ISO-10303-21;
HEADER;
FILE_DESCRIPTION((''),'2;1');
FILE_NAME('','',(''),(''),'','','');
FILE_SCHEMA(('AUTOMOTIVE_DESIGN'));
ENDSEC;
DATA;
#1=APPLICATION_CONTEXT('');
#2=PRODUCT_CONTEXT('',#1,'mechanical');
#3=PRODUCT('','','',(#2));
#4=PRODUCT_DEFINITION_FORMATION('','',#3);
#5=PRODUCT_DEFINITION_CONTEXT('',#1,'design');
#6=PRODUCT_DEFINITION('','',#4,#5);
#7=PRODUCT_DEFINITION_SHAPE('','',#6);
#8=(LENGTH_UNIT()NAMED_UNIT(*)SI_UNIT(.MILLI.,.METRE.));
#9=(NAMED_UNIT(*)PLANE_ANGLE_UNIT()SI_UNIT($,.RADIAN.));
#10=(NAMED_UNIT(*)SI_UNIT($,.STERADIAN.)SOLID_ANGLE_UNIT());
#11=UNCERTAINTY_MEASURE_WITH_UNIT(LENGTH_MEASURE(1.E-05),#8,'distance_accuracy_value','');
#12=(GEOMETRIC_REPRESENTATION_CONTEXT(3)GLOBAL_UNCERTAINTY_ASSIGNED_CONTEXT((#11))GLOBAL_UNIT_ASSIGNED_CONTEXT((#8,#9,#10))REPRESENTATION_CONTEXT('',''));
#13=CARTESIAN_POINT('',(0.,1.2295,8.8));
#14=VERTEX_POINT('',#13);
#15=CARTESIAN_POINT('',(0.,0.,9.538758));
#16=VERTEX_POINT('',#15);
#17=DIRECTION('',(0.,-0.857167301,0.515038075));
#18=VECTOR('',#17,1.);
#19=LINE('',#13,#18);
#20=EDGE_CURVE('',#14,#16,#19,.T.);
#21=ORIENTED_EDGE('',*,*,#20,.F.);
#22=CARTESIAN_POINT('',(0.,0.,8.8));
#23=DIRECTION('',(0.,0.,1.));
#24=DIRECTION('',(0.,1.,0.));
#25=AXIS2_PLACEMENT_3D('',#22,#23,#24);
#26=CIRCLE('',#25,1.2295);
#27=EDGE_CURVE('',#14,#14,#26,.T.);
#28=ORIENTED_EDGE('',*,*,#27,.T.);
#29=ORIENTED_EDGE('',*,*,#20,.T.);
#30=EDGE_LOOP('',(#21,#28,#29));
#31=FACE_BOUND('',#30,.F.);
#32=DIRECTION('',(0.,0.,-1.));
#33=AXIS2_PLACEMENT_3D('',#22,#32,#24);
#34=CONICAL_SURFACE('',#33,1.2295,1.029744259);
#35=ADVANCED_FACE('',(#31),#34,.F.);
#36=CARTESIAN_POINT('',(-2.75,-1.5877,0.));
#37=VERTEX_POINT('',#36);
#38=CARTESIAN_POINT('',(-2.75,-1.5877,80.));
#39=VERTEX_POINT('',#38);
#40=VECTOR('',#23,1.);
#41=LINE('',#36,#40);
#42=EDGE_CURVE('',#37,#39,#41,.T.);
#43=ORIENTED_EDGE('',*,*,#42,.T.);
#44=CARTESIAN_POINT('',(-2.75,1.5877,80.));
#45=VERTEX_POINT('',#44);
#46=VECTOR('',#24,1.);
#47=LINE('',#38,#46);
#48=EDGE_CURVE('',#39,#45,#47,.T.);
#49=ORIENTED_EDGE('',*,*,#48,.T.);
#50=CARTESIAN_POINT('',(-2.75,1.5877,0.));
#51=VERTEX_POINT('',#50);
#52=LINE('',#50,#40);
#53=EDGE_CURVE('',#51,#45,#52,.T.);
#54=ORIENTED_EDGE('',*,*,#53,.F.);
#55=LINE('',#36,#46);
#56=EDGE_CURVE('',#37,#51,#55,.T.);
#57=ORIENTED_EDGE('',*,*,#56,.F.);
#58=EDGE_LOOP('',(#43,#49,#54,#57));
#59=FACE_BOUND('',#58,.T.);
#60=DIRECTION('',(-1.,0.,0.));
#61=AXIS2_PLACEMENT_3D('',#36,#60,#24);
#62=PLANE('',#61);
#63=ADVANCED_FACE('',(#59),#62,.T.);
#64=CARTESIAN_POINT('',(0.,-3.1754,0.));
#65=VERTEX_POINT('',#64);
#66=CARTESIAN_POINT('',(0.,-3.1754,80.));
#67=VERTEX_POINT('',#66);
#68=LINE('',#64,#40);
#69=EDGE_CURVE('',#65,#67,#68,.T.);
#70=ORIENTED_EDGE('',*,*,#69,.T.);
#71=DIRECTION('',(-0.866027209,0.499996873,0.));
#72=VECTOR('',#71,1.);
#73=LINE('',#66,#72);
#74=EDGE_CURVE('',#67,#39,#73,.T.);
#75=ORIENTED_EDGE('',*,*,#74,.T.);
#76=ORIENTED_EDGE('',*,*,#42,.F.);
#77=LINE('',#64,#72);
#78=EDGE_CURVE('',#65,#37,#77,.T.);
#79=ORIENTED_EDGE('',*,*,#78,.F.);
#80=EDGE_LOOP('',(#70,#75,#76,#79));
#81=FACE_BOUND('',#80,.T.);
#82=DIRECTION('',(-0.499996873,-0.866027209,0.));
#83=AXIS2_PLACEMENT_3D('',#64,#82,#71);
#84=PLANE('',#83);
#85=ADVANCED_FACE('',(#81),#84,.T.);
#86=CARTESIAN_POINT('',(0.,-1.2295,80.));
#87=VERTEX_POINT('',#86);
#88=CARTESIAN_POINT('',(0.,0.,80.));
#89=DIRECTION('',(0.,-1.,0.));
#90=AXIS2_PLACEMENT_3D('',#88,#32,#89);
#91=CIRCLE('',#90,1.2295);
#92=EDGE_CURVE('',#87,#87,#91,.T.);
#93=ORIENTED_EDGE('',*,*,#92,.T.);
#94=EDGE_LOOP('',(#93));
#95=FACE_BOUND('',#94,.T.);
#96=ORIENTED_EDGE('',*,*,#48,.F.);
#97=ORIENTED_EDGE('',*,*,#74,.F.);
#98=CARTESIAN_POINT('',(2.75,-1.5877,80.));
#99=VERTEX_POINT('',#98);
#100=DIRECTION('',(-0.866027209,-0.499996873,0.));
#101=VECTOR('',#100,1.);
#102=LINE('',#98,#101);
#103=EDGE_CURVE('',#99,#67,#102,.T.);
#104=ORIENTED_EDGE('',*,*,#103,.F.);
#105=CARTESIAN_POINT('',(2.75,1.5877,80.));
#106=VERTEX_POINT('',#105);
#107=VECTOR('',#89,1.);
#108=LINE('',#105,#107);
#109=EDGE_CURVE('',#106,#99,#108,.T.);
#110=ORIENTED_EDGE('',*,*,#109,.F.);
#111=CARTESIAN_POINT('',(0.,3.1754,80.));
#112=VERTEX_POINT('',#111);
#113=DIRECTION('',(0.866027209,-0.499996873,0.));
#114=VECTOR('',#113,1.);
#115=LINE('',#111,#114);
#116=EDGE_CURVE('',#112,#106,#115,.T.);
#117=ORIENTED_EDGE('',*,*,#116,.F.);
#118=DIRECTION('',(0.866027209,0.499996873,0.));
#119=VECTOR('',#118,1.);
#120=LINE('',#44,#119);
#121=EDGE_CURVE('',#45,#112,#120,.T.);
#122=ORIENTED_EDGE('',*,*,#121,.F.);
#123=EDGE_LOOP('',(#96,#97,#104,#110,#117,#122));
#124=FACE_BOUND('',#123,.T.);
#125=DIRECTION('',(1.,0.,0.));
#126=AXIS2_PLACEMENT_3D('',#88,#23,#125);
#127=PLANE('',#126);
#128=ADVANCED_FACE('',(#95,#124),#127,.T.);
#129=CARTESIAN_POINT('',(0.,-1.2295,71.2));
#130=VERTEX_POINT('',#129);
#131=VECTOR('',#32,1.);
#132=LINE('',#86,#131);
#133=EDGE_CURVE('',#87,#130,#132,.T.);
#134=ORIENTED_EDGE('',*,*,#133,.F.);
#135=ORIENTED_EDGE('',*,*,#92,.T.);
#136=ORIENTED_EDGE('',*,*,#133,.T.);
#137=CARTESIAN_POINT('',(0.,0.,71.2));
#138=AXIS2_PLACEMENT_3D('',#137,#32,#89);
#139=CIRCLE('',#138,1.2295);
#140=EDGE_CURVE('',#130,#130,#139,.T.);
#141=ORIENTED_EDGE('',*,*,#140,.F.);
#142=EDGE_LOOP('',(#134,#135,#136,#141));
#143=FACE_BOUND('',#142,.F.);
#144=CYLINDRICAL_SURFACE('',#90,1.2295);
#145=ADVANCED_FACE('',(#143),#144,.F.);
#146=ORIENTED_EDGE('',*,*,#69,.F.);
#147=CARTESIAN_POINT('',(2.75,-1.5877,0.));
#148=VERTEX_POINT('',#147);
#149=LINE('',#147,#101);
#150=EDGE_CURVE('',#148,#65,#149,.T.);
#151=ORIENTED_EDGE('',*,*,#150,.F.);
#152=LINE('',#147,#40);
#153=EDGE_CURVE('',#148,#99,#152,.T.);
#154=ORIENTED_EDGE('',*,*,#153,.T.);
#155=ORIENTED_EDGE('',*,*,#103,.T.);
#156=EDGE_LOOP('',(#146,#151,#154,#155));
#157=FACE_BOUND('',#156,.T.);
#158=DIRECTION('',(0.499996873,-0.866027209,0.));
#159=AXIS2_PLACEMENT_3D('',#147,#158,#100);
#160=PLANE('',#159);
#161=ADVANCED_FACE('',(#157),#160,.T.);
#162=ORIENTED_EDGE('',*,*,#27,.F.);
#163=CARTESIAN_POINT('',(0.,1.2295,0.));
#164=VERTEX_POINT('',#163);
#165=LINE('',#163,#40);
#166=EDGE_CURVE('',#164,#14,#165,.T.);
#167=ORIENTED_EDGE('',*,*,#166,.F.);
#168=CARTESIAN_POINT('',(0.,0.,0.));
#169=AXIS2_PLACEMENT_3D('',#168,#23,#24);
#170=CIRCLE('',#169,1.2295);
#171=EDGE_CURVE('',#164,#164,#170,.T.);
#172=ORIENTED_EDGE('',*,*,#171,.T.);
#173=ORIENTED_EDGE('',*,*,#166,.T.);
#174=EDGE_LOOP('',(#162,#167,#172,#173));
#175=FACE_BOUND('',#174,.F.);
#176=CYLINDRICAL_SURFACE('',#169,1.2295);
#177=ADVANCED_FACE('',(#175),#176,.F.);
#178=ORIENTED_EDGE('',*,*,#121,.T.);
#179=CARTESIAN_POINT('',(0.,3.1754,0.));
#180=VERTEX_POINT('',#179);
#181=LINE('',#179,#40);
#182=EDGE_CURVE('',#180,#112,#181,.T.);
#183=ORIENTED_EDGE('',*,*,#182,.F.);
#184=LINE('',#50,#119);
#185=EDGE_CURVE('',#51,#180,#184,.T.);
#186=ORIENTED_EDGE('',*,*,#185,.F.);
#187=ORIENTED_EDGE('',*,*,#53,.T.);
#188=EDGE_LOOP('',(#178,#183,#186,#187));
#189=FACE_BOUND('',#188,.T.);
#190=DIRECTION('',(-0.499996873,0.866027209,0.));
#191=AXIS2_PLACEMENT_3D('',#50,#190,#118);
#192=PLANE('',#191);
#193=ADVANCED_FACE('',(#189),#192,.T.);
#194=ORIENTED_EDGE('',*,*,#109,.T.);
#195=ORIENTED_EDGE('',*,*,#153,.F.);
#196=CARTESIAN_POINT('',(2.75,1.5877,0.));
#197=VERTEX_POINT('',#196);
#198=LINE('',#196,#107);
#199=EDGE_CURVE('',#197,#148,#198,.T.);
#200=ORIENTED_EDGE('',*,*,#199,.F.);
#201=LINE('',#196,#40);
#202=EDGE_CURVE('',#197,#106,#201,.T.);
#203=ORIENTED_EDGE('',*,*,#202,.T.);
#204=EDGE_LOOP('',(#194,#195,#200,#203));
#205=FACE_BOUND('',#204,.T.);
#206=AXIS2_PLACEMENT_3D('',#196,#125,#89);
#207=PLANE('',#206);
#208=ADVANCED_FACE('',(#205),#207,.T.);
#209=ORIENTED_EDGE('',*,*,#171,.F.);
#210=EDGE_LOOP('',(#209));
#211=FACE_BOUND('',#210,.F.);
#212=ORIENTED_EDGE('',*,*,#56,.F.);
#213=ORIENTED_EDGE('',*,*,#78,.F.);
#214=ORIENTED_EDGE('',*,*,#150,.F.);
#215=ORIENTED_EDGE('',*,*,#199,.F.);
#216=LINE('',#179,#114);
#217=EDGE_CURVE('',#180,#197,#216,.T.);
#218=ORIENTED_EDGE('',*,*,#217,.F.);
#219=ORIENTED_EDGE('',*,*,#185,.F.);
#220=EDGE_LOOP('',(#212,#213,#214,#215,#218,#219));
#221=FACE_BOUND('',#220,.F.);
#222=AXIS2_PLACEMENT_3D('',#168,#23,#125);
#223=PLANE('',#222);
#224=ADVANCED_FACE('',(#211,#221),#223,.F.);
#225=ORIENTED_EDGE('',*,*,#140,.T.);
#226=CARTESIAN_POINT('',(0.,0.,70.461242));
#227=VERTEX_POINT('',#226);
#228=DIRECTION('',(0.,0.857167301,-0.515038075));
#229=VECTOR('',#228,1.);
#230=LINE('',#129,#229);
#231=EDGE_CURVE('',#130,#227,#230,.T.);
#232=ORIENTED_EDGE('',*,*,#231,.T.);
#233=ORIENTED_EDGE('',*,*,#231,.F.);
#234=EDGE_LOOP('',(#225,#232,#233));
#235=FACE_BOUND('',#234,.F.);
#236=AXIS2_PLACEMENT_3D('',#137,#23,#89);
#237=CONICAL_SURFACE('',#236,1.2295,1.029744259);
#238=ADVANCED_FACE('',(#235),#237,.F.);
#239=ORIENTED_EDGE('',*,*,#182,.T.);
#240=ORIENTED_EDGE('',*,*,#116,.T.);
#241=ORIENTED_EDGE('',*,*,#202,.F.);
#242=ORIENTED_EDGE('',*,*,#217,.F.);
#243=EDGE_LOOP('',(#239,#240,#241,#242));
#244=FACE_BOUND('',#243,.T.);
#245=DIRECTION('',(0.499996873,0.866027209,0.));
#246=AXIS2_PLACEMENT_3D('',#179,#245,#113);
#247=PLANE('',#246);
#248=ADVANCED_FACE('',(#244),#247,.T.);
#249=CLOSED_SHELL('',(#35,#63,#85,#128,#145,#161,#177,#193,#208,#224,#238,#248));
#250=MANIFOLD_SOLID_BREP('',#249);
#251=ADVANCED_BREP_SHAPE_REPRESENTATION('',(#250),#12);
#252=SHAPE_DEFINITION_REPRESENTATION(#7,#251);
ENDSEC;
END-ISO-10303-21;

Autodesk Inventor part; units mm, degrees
ref_plane "YZ Plane" through (0, 0, 0) normal (1, 0, 0) x (0, 1, 0)
ref_plane "XZ Plane" through (0, 0, 0) normal (0, 1, 0) x (-1, 0, 0)
ref_plane "XY Plane" through (0, 0, 0) normal (0, 0, 1) x (1, 0, 0)
sketch "スケッチ1" plane through (0, 0, 0) normal (0, 0, 1) x (1, 0, 0)
  line L0 (0, 3.1754) -> (2.75, 1.5877)
  line L1 (2.75, 1.5877) -> (2.75, -1.5877)
  line L2 (2.75, -1.5877) -> (0, -3.1754)
  line L3 (0, -3.1754) -> (-2.75, -1.5877)
  line L4 (-2.75, -1.5877) -> (-2.75, 1.5877)
  line L5 (-2.75, 1.5877) -> (0, 3.1754)
  point P0 (0, 0)
  point P1 (0, 0)
  dimension "d0" = 5.5
extrude "押し出し1" add sketch "スケッチ1" along normal blind 80
sketch "スケッチ2" plane through (0, 0, 80) normal (0, 0, 1) x (1, 0, 0)
  point P0 (0, 0)
hole "穴1" at (0, 0, 80) direction (0, 0, -1) diameter 2.459 depth 8.8 tip angle 118 thread size "M3x0.5" class "6H" standard "ISO Metric profile"
sketch "スケッチ3" plane through (0, 0, 0) normal (0, 0, -1) x (-1, 0, 0)
  point P0 (0, 0)
hole "穴2" at (0, 0, 0) direction (0, 0, 1) diameter 2.459 depth 8.8 tip angle 118 thread size "M3x0.5" class "6H" standard "ISO Metric profile"
properties part number "アルミスペーサー(六角・酸洗処理）_ASL-380E" material "アルミニウム 6061"
